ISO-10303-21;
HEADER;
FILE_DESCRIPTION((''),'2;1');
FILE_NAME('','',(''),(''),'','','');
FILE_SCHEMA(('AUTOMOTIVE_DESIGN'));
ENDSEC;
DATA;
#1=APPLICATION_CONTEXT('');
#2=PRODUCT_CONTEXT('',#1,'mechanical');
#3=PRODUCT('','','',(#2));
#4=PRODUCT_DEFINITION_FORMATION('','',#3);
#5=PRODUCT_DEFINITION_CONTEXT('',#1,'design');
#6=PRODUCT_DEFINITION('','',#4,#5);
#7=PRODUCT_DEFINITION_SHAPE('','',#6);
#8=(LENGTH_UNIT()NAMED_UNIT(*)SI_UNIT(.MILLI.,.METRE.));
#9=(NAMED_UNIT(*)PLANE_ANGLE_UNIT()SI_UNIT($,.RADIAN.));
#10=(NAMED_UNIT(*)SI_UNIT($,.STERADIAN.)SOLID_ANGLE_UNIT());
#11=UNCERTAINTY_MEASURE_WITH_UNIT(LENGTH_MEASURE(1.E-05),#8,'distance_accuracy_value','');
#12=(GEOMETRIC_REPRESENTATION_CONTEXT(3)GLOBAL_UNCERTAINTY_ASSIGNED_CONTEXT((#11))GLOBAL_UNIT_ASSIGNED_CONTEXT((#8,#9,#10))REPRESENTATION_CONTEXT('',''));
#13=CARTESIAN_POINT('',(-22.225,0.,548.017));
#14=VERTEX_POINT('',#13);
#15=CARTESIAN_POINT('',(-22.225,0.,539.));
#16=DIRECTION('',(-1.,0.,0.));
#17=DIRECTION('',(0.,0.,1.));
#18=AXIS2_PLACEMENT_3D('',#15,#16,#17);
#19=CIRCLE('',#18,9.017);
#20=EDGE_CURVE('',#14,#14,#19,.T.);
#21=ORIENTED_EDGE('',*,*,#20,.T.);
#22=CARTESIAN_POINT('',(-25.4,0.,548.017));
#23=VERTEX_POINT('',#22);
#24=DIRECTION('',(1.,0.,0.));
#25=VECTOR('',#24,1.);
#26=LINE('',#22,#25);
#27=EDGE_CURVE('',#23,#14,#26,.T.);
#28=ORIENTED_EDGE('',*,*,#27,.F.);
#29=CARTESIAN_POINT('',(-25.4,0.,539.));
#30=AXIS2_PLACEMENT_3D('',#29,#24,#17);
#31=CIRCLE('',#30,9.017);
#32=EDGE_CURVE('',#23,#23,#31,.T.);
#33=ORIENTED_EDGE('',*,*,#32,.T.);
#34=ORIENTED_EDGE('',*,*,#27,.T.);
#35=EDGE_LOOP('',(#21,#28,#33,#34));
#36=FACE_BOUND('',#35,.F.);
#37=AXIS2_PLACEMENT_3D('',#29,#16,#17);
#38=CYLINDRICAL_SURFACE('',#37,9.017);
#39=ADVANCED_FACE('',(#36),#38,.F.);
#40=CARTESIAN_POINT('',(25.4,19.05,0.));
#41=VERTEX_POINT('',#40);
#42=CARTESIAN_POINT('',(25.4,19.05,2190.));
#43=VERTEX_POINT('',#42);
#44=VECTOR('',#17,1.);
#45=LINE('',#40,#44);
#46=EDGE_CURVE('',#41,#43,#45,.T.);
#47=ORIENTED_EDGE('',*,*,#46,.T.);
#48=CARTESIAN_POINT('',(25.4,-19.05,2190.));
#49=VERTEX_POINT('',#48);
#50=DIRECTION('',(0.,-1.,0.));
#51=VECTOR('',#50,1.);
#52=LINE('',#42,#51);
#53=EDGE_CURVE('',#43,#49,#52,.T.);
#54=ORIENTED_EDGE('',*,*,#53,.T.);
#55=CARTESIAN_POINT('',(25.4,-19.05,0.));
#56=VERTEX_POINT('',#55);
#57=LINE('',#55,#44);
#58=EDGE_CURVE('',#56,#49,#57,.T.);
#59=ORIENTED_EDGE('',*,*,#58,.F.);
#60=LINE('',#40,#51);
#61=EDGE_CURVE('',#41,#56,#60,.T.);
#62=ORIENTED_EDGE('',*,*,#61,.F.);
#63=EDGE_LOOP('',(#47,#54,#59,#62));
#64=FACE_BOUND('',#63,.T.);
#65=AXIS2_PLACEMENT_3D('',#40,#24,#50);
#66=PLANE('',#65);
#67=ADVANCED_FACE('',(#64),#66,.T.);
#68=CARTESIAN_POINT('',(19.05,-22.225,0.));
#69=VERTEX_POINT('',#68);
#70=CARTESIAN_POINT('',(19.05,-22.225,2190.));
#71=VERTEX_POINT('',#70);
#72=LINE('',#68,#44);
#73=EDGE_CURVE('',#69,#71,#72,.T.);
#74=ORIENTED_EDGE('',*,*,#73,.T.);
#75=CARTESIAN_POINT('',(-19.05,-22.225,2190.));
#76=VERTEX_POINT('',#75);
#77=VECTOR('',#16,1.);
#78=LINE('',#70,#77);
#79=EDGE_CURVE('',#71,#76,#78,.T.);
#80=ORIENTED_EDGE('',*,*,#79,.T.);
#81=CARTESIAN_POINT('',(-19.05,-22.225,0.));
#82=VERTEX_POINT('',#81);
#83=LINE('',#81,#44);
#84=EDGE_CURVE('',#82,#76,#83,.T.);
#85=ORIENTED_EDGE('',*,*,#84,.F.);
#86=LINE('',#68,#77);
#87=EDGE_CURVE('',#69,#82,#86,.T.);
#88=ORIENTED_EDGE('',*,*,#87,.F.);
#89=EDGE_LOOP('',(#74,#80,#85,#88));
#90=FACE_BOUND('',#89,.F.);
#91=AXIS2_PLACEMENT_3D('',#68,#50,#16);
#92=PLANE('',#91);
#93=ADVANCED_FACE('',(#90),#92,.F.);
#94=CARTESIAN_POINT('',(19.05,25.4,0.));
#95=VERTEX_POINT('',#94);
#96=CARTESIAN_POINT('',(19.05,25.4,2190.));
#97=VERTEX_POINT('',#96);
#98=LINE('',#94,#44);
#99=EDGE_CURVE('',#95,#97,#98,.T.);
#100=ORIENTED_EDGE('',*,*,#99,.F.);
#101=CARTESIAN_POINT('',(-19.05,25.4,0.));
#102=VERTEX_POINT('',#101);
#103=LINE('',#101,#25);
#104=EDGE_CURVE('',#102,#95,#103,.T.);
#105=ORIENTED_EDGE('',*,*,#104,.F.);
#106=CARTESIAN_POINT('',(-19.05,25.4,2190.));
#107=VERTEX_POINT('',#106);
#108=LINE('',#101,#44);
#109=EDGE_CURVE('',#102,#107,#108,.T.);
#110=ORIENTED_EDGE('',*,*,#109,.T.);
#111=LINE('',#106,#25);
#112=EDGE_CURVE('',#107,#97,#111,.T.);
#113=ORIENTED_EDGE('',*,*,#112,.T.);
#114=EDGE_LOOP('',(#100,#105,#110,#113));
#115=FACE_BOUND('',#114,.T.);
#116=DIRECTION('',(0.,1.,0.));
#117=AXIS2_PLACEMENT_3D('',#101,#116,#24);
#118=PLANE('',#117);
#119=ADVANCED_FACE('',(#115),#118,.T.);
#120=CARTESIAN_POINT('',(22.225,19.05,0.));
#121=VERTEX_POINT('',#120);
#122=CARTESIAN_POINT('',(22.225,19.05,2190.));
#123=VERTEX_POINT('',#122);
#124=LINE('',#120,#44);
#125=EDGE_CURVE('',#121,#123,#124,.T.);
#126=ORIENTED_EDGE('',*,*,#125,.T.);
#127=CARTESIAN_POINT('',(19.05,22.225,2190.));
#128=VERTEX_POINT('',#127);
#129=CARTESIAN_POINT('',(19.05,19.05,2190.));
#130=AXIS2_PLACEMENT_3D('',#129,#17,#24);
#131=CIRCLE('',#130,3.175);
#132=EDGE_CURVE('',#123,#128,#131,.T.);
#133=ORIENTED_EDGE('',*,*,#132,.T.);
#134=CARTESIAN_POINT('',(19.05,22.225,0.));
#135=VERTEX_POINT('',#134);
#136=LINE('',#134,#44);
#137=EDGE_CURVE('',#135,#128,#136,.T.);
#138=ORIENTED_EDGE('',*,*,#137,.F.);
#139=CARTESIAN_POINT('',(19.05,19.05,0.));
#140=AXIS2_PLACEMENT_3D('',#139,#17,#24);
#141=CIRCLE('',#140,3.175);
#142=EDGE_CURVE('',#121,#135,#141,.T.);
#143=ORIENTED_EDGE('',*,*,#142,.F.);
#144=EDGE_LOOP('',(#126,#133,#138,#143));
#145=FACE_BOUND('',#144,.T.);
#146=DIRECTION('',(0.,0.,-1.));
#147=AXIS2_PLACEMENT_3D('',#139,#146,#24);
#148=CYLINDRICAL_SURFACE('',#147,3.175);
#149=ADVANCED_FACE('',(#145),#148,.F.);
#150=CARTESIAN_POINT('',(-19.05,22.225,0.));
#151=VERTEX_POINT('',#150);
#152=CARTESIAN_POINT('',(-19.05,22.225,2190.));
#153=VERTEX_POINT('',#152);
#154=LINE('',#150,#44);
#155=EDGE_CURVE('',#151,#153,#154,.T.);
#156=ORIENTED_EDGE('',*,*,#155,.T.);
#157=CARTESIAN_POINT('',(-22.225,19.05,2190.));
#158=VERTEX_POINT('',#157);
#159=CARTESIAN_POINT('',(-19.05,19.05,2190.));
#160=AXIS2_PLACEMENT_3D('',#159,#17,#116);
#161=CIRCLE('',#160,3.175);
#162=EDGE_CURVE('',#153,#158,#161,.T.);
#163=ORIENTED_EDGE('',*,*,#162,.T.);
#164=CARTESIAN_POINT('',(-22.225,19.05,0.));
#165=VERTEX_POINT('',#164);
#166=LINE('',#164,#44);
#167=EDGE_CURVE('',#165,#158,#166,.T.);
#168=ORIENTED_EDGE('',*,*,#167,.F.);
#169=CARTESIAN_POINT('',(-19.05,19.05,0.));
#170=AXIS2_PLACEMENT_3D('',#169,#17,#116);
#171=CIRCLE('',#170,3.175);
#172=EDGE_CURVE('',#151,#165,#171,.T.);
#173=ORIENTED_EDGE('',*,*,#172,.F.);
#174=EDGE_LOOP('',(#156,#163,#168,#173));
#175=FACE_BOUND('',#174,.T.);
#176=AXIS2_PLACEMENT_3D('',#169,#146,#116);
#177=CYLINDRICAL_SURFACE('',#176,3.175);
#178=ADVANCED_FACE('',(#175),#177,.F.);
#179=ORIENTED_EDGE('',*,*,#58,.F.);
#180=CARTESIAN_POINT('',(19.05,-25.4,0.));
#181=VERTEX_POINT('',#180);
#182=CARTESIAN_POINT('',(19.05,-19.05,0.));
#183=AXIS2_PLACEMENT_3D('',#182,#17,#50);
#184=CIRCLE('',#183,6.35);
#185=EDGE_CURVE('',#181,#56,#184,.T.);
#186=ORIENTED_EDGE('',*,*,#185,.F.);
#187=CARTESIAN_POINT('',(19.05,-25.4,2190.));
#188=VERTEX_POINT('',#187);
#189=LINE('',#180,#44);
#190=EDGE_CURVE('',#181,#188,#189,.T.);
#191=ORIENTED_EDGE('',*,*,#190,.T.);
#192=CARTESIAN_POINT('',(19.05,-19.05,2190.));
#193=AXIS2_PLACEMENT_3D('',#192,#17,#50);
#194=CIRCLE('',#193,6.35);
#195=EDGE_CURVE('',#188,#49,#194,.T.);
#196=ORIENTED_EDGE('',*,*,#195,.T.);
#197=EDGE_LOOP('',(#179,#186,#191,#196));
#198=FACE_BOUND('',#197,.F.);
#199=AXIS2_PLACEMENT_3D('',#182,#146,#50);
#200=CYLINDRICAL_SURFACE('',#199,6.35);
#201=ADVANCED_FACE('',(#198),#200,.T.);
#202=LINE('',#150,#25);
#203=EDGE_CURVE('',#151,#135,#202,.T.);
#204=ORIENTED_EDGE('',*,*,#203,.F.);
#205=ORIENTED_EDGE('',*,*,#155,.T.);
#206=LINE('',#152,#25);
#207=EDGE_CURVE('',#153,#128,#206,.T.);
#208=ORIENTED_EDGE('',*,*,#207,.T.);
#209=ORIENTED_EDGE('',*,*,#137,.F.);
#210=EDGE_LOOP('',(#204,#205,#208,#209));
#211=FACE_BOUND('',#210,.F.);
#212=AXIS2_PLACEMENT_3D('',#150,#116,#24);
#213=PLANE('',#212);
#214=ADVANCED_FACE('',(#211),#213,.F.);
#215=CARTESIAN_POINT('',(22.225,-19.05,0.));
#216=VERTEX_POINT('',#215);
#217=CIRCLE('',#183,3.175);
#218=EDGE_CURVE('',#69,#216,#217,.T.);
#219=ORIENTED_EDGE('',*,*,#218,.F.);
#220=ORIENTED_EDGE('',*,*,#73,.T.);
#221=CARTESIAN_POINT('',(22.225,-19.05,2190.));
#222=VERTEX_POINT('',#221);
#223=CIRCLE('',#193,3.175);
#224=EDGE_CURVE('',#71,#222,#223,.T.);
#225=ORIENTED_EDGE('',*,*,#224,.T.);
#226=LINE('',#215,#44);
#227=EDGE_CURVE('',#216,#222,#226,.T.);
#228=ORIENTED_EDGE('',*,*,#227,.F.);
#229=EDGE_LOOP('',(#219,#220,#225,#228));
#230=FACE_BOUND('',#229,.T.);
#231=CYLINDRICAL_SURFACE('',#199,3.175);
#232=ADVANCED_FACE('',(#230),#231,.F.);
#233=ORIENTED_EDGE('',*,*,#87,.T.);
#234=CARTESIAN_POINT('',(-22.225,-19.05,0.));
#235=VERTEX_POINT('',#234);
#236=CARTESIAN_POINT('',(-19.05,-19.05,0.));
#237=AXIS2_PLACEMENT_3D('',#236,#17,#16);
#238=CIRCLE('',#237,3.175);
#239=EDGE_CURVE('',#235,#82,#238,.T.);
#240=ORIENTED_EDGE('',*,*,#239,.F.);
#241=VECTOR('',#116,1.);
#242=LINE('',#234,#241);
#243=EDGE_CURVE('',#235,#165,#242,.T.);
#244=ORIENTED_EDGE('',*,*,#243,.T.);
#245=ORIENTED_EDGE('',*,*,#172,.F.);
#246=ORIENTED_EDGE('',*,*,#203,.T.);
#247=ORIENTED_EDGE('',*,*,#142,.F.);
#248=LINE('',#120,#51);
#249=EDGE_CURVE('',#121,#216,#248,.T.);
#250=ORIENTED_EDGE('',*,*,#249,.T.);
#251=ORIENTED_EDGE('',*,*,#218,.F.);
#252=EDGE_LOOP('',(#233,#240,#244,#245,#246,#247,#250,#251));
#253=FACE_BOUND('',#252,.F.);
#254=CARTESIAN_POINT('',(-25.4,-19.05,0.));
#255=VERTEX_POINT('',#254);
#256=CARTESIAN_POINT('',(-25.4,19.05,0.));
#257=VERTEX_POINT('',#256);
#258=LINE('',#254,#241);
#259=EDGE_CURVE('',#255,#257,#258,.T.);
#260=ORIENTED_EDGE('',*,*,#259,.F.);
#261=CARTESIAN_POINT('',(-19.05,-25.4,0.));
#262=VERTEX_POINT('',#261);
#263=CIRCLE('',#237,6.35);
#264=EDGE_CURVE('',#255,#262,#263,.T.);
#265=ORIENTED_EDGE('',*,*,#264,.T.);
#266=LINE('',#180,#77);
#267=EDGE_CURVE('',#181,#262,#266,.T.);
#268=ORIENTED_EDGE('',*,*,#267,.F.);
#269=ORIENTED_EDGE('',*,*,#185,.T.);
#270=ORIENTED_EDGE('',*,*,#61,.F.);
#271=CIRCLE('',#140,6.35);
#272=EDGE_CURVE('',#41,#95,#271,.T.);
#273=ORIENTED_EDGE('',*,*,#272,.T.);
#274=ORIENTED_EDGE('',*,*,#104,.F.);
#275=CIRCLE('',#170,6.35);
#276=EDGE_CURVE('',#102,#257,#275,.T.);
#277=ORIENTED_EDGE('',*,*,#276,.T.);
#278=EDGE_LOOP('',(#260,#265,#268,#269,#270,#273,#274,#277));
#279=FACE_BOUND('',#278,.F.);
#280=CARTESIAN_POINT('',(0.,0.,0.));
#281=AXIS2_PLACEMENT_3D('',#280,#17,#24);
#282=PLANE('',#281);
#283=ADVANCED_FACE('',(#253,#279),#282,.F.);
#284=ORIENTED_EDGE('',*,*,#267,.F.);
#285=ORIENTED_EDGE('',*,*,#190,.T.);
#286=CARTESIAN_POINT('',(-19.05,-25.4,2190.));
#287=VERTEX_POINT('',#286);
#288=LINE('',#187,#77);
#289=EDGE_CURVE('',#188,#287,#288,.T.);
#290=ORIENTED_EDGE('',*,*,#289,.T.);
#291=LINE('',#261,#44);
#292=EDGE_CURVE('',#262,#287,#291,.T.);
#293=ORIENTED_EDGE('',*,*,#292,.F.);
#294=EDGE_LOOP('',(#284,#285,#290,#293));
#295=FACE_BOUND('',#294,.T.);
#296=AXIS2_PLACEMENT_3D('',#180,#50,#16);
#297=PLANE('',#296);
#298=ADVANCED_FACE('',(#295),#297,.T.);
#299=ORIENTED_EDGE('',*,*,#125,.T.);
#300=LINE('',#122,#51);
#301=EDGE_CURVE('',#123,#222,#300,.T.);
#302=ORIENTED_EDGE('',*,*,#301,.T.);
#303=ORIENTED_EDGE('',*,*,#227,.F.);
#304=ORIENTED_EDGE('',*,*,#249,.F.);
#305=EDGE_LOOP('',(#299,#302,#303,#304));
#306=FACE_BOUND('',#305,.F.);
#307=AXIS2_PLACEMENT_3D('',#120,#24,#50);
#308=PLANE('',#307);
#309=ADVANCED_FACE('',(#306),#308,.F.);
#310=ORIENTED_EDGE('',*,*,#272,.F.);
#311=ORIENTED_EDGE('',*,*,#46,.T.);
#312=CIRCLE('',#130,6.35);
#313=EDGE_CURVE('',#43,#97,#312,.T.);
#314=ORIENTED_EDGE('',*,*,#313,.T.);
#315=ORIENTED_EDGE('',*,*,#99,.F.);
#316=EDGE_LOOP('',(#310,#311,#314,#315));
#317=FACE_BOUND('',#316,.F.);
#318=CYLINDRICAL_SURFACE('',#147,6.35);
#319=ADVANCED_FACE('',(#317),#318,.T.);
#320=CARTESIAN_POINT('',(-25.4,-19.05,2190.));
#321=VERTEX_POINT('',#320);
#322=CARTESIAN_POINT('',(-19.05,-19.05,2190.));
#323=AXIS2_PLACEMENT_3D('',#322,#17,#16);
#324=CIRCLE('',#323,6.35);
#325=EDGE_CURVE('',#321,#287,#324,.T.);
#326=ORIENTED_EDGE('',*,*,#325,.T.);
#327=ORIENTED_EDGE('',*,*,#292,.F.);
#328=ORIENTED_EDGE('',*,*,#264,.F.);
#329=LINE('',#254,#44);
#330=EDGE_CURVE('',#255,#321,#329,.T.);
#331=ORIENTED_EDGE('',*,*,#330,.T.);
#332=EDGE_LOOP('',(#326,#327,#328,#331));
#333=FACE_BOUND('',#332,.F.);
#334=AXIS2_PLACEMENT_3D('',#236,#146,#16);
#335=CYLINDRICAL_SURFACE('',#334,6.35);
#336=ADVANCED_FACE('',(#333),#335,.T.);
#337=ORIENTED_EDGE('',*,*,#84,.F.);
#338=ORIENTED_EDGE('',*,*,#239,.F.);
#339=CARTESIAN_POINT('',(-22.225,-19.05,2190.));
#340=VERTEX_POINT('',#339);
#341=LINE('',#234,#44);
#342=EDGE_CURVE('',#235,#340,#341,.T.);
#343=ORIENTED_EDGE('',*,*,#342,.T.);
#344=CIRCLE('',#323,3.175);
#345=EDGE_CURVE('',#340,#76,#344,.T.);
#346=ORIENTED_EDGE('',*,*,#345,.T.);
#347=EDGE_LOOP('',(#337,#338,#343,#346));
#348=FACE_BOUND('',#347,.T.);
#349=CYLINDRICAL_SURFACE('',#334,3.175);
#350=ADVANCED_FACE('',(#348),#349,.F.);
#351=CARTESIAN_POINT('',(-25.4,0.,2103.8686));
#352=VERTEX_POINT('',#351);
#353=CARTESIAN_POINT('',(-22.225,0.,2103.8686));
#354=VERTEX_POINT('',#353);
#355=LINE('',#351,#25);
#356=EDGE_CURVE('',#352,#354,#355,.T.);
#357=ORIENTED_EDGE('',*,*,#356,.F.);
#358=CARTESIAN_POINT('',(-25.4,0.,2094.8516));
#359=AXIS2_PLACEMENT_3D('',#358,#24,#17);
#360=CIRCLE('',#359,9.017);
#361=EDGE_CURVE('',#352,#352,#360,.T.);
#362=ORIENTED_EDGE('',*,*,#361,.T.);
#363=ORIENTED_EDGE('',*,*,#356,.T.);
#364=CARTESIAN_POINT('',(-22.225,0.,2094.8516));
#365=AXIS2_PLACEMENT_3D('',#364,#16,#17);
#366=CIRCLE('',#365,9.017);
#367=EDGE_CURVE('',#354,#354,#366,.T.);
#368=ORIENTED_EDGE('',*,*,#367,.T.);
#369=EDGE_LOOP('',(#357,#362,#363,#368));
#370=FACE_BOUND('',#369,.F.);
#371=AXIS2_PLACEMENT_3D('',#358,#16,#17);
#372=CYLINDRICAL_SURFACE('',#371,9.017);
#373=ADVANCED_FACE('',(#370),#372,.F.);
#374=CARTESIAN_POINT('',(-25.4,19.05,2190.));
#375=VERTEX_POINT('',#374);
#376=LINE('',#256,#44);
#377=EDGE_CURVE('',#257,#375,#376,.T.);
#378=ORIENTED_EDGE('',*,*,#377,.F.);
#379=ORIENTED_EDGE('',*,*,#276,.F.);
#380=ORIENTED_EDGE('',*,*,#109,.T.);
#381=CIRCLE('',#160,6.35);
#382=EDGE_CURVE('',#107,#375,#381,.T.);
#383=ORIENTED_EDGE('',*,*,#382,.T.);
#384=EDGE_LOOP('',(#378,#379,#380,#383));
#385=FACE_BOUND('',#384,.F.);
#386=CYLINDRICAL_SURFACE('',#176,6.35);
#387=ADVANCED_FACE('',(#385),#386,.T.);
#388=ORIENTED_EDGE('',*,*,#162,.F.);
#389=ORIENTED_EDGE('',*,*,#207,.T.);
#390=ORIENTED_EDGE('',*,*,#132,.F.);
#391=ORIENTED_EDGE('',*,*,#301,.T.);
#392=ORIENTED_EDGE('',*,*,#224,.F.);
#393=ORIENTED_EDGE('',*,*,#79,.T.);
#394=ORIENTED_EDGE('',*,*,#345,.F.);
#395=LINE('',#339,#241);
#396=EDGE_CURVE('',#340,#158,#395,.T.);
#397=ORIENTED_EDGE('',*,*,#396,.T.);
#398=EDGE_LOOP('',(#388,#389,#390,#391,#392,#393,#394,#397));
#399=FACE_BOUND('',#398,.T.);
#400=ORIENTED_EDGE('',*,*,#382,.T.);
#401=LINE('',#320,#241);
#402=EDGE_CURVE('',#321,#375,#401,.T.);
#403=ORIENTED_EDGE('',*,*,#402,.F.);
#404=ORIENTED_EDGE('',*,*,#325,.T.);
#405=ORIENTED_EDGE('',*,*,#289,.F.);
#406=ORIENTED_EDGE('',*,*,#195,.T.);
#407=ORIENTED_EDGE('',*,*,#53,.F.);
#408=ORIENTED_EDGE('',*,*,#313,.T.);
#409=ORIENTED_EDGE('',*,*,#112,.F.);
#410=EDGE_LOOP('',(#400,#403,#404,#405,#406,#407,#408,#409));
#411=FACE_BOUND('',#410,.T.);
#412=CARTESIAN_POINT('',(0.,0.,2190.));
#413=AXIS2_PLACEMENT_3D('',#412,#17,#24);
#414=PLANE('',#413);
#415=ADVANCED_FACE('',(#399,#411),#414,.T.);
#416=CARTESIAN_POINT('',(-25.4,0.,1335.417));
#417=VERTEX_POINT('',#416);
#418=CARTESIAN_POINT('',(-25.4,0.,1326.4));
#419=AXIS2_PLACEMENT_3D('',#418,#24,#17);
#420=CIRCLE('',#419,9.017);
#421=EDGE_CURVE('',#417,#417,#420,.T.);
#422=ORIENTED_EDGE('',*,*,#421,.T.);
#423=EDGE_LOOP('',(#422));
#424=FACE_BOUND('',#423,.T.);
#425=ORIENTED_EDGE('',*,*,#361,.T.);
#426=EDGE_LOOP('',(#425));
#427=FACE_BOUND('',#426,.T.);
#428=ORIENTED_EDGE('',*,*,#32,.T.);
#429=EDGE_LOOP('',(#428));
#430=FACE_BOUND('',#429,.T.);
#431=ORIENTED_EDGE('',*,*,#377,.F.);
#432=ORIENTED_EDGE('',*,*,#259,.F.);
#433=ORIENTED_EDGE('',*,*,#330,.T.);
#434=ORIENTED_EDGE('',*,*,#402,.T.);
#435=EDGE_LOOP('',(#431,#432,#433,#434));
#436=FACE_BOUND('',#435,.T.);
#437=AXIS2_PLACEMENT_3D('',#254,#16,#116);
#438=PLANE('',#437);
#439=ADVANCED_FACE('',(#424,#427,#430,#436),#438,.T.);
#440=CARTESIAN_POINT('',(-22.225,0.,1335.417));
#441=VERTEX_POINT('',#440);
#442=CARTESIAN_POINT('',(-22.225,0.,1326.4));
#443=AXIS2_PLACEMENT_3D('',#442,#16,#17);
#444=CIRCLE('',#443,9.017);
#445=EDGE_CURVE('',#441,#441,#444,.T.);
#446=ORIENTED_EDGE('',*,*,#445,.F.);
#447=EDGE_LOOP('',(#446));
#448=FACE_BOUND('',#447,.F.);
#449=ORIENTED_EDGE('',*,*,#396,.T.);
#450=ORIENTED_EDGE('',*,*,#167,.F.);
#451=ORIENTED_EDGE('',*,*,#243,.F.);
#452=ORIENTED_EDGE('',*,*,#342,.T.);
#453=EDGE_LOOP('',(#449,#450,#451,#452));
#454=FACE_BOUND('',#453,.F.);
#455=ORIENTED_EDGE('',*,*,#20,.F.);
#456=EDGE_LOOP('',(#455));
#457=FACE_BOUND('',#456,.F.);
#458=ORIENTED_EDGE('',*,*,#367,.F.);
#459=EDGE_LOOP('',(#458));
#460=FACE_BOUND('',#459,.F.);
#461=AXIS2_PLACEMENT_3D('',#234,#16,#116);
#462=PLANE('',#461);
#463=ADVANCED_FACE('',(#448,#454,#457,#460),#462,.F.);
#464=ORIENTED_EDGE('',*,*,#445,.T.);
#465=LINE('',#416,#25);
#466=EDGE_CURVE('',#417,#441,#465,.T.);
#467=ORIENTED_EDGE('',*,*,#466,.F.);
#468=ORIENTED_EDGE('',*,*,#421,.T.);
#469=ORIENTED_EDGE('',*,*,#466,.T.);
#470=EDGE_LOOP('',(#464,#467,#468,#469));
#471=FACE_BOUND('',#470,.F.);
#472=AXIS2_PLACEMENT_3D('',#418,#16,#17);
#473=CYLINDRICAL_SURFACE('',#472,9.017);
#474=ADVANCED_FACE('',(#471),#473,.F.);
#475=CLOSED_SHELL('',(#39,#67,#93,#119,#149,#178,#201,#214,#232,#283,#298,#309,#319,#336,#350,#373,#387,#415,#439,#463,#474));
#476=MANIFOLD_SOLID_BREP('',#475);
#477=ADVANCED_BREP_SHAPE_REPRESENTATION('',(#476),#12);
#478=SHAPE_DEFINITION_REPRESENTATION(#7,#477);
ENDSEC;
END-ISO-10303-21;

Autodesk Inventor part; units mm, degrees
ref_plane "YZ Plane" through (0, 0, 0) normal (1, 0, 0) x (0, 1, 0)
ref_plane "Plano inicial" through (0, 0, 0) normal (0, 0, 1) x (1, 0, 0)
ref_plane "Plano final" through (0, 0, 2190) normal (0, 0, 1) x (1, 0, 0)
sketch "Boceto" plane through (0, 0, 0) normal (0, 0, 1) x (1, 0, 0)
  line L0 (-25.4, -19.05) -> (-25.4, 19.05)
  line L1 (-19.05, 25.4) -> (19.05, 25.4)
  line L2 (25.4, 19.05) -> (25.4, -19.05)
  line L3 (19.05, -25.4) -> (-19.05, -25.4)
  arc A0 (-25.4, -19.05) -> (-19.05, -25.4) centre (-19.05, -19.05) ccw
  arc A1 (-19.05, 25.4) -> (-25.4, 19.05) centre (-19.05, 19.05) ccw
  arc A2 (25.4, 19.05) -> (19.05, 25.4) centre (19.05, 19.05) ccw
  arc A3 (19.05, -25.4) -> (25.4, -19.05) centre (19.05, -19.05) ccw
  arc A4 (-19.05, 22.225) -> (-22.225, 19.05) centre (-19.05, 19.05) ccw
  line L4 (-19.05, 22.225) -> (19.05, 22.225)
  arc A5 (22.225, 19.05) -> (19.05, 22.225) centre (19.05, 19.05) ccw
  line L5 (22.225, 19.05) -> (22.225, -19.05)
  arc A6 (19.05, -22.225) -> (22.225, -19.05) centre (19.05, -19.05) ccw
  line L6 (19.05, -22.225) -> (-19.05, -22.225)
  arc A7 (-22.225, -19.05) -> (-19.05, -22.225) centre (-19.05, -19.05) ccw
  line L7 (-22.225, -19.05) -> (-22.225, 19.05)
  line L8 (0, 37.4012) -> (0, -37.4012) construction
  line L9 (-37.4012, 0) -> (37.4012, 0) construction
  dimension "d10" = 50.8
  dimension "d11" = 50.8
  dimension "d12" = 3.175
  dimension "d15" = 25.4
  dimension "d16" = 25.4
  dimension "d17" = 6.35
extrude "Cuerpo" add sketch "Boceto" along normal up to surface (2190 mm away) from surface at 0
sketch "Sketch3" plane through (0, 0, 0) normal (0, 0, 1) x (1, 0, 0)
  line L0 (0, 0) -> (10, 0)
ref_plane "Work Plane3" through (0, 0, 0) normal (0, -1, 0) x (1, 0, 0)
sketch "Boceto5" plane through (-25.4, 19.05, 0) normal (-1, 0, 0) x (0, 0, 1)
  line L0 (0, -19.05) -> (2190, -19.05)
  line L1 (2190, -38.1) -> (2190, 0) projected
  circle A0 centre (2094.8516, -19.05) radius 9.017
  circle A1 centre (1326.4, -19.05) radius 9.017
  circle A2 centre (539, -19.05) radius 9.017
  dimension "d20" = 18.034
  dimension "d21" = 18.034
  dimension "d22" = 18.034
  dimension "d23" = 1651
  dimension "d24" = 863.6
  dimension "d25" = 95.1484
extrude "Extrusión2" cut sketch "Boceto5" against normal blind 15.875
sketch "Sketch4" plane through (0, 0, 0) normal (0, -1, 0) x (1, 0, 0)
  line L0 (-2, 0) -> (12, 0) projected
  line L1 (-2, 2190) -> (12, 2190) projected
  dimension "d19" = 2190
equation "\"d10\" = G_H"
equation "\"d11\" = G_W"
equation "\"d12\" = G_T"
equation "\"d15\" = 0.5 * d10"
equation "\"d16\" = 0.5 * d11"
equation "\"d17\" = G_IR"
equation "\"d3\" = G_L"
equation "\"G_W\" = 50.8"
equation "\"G_H\" = 50.8"
equation "\"G_T\" = 3.175"
equation "\"G_IR\" = 6.35"
equation "\"G_L\" = d19"
equation "\"G_OFFSET_START\" = 0"
equation "\"G_OFFSET_END\" = 0"
equation "\"d14\" = G_OFFSET_END + B_L"
equation "\"B_L\" = 2190"
properties part number "AISC - 2 x 2 x 1/8 - 86,22" material "Acero, suave"
